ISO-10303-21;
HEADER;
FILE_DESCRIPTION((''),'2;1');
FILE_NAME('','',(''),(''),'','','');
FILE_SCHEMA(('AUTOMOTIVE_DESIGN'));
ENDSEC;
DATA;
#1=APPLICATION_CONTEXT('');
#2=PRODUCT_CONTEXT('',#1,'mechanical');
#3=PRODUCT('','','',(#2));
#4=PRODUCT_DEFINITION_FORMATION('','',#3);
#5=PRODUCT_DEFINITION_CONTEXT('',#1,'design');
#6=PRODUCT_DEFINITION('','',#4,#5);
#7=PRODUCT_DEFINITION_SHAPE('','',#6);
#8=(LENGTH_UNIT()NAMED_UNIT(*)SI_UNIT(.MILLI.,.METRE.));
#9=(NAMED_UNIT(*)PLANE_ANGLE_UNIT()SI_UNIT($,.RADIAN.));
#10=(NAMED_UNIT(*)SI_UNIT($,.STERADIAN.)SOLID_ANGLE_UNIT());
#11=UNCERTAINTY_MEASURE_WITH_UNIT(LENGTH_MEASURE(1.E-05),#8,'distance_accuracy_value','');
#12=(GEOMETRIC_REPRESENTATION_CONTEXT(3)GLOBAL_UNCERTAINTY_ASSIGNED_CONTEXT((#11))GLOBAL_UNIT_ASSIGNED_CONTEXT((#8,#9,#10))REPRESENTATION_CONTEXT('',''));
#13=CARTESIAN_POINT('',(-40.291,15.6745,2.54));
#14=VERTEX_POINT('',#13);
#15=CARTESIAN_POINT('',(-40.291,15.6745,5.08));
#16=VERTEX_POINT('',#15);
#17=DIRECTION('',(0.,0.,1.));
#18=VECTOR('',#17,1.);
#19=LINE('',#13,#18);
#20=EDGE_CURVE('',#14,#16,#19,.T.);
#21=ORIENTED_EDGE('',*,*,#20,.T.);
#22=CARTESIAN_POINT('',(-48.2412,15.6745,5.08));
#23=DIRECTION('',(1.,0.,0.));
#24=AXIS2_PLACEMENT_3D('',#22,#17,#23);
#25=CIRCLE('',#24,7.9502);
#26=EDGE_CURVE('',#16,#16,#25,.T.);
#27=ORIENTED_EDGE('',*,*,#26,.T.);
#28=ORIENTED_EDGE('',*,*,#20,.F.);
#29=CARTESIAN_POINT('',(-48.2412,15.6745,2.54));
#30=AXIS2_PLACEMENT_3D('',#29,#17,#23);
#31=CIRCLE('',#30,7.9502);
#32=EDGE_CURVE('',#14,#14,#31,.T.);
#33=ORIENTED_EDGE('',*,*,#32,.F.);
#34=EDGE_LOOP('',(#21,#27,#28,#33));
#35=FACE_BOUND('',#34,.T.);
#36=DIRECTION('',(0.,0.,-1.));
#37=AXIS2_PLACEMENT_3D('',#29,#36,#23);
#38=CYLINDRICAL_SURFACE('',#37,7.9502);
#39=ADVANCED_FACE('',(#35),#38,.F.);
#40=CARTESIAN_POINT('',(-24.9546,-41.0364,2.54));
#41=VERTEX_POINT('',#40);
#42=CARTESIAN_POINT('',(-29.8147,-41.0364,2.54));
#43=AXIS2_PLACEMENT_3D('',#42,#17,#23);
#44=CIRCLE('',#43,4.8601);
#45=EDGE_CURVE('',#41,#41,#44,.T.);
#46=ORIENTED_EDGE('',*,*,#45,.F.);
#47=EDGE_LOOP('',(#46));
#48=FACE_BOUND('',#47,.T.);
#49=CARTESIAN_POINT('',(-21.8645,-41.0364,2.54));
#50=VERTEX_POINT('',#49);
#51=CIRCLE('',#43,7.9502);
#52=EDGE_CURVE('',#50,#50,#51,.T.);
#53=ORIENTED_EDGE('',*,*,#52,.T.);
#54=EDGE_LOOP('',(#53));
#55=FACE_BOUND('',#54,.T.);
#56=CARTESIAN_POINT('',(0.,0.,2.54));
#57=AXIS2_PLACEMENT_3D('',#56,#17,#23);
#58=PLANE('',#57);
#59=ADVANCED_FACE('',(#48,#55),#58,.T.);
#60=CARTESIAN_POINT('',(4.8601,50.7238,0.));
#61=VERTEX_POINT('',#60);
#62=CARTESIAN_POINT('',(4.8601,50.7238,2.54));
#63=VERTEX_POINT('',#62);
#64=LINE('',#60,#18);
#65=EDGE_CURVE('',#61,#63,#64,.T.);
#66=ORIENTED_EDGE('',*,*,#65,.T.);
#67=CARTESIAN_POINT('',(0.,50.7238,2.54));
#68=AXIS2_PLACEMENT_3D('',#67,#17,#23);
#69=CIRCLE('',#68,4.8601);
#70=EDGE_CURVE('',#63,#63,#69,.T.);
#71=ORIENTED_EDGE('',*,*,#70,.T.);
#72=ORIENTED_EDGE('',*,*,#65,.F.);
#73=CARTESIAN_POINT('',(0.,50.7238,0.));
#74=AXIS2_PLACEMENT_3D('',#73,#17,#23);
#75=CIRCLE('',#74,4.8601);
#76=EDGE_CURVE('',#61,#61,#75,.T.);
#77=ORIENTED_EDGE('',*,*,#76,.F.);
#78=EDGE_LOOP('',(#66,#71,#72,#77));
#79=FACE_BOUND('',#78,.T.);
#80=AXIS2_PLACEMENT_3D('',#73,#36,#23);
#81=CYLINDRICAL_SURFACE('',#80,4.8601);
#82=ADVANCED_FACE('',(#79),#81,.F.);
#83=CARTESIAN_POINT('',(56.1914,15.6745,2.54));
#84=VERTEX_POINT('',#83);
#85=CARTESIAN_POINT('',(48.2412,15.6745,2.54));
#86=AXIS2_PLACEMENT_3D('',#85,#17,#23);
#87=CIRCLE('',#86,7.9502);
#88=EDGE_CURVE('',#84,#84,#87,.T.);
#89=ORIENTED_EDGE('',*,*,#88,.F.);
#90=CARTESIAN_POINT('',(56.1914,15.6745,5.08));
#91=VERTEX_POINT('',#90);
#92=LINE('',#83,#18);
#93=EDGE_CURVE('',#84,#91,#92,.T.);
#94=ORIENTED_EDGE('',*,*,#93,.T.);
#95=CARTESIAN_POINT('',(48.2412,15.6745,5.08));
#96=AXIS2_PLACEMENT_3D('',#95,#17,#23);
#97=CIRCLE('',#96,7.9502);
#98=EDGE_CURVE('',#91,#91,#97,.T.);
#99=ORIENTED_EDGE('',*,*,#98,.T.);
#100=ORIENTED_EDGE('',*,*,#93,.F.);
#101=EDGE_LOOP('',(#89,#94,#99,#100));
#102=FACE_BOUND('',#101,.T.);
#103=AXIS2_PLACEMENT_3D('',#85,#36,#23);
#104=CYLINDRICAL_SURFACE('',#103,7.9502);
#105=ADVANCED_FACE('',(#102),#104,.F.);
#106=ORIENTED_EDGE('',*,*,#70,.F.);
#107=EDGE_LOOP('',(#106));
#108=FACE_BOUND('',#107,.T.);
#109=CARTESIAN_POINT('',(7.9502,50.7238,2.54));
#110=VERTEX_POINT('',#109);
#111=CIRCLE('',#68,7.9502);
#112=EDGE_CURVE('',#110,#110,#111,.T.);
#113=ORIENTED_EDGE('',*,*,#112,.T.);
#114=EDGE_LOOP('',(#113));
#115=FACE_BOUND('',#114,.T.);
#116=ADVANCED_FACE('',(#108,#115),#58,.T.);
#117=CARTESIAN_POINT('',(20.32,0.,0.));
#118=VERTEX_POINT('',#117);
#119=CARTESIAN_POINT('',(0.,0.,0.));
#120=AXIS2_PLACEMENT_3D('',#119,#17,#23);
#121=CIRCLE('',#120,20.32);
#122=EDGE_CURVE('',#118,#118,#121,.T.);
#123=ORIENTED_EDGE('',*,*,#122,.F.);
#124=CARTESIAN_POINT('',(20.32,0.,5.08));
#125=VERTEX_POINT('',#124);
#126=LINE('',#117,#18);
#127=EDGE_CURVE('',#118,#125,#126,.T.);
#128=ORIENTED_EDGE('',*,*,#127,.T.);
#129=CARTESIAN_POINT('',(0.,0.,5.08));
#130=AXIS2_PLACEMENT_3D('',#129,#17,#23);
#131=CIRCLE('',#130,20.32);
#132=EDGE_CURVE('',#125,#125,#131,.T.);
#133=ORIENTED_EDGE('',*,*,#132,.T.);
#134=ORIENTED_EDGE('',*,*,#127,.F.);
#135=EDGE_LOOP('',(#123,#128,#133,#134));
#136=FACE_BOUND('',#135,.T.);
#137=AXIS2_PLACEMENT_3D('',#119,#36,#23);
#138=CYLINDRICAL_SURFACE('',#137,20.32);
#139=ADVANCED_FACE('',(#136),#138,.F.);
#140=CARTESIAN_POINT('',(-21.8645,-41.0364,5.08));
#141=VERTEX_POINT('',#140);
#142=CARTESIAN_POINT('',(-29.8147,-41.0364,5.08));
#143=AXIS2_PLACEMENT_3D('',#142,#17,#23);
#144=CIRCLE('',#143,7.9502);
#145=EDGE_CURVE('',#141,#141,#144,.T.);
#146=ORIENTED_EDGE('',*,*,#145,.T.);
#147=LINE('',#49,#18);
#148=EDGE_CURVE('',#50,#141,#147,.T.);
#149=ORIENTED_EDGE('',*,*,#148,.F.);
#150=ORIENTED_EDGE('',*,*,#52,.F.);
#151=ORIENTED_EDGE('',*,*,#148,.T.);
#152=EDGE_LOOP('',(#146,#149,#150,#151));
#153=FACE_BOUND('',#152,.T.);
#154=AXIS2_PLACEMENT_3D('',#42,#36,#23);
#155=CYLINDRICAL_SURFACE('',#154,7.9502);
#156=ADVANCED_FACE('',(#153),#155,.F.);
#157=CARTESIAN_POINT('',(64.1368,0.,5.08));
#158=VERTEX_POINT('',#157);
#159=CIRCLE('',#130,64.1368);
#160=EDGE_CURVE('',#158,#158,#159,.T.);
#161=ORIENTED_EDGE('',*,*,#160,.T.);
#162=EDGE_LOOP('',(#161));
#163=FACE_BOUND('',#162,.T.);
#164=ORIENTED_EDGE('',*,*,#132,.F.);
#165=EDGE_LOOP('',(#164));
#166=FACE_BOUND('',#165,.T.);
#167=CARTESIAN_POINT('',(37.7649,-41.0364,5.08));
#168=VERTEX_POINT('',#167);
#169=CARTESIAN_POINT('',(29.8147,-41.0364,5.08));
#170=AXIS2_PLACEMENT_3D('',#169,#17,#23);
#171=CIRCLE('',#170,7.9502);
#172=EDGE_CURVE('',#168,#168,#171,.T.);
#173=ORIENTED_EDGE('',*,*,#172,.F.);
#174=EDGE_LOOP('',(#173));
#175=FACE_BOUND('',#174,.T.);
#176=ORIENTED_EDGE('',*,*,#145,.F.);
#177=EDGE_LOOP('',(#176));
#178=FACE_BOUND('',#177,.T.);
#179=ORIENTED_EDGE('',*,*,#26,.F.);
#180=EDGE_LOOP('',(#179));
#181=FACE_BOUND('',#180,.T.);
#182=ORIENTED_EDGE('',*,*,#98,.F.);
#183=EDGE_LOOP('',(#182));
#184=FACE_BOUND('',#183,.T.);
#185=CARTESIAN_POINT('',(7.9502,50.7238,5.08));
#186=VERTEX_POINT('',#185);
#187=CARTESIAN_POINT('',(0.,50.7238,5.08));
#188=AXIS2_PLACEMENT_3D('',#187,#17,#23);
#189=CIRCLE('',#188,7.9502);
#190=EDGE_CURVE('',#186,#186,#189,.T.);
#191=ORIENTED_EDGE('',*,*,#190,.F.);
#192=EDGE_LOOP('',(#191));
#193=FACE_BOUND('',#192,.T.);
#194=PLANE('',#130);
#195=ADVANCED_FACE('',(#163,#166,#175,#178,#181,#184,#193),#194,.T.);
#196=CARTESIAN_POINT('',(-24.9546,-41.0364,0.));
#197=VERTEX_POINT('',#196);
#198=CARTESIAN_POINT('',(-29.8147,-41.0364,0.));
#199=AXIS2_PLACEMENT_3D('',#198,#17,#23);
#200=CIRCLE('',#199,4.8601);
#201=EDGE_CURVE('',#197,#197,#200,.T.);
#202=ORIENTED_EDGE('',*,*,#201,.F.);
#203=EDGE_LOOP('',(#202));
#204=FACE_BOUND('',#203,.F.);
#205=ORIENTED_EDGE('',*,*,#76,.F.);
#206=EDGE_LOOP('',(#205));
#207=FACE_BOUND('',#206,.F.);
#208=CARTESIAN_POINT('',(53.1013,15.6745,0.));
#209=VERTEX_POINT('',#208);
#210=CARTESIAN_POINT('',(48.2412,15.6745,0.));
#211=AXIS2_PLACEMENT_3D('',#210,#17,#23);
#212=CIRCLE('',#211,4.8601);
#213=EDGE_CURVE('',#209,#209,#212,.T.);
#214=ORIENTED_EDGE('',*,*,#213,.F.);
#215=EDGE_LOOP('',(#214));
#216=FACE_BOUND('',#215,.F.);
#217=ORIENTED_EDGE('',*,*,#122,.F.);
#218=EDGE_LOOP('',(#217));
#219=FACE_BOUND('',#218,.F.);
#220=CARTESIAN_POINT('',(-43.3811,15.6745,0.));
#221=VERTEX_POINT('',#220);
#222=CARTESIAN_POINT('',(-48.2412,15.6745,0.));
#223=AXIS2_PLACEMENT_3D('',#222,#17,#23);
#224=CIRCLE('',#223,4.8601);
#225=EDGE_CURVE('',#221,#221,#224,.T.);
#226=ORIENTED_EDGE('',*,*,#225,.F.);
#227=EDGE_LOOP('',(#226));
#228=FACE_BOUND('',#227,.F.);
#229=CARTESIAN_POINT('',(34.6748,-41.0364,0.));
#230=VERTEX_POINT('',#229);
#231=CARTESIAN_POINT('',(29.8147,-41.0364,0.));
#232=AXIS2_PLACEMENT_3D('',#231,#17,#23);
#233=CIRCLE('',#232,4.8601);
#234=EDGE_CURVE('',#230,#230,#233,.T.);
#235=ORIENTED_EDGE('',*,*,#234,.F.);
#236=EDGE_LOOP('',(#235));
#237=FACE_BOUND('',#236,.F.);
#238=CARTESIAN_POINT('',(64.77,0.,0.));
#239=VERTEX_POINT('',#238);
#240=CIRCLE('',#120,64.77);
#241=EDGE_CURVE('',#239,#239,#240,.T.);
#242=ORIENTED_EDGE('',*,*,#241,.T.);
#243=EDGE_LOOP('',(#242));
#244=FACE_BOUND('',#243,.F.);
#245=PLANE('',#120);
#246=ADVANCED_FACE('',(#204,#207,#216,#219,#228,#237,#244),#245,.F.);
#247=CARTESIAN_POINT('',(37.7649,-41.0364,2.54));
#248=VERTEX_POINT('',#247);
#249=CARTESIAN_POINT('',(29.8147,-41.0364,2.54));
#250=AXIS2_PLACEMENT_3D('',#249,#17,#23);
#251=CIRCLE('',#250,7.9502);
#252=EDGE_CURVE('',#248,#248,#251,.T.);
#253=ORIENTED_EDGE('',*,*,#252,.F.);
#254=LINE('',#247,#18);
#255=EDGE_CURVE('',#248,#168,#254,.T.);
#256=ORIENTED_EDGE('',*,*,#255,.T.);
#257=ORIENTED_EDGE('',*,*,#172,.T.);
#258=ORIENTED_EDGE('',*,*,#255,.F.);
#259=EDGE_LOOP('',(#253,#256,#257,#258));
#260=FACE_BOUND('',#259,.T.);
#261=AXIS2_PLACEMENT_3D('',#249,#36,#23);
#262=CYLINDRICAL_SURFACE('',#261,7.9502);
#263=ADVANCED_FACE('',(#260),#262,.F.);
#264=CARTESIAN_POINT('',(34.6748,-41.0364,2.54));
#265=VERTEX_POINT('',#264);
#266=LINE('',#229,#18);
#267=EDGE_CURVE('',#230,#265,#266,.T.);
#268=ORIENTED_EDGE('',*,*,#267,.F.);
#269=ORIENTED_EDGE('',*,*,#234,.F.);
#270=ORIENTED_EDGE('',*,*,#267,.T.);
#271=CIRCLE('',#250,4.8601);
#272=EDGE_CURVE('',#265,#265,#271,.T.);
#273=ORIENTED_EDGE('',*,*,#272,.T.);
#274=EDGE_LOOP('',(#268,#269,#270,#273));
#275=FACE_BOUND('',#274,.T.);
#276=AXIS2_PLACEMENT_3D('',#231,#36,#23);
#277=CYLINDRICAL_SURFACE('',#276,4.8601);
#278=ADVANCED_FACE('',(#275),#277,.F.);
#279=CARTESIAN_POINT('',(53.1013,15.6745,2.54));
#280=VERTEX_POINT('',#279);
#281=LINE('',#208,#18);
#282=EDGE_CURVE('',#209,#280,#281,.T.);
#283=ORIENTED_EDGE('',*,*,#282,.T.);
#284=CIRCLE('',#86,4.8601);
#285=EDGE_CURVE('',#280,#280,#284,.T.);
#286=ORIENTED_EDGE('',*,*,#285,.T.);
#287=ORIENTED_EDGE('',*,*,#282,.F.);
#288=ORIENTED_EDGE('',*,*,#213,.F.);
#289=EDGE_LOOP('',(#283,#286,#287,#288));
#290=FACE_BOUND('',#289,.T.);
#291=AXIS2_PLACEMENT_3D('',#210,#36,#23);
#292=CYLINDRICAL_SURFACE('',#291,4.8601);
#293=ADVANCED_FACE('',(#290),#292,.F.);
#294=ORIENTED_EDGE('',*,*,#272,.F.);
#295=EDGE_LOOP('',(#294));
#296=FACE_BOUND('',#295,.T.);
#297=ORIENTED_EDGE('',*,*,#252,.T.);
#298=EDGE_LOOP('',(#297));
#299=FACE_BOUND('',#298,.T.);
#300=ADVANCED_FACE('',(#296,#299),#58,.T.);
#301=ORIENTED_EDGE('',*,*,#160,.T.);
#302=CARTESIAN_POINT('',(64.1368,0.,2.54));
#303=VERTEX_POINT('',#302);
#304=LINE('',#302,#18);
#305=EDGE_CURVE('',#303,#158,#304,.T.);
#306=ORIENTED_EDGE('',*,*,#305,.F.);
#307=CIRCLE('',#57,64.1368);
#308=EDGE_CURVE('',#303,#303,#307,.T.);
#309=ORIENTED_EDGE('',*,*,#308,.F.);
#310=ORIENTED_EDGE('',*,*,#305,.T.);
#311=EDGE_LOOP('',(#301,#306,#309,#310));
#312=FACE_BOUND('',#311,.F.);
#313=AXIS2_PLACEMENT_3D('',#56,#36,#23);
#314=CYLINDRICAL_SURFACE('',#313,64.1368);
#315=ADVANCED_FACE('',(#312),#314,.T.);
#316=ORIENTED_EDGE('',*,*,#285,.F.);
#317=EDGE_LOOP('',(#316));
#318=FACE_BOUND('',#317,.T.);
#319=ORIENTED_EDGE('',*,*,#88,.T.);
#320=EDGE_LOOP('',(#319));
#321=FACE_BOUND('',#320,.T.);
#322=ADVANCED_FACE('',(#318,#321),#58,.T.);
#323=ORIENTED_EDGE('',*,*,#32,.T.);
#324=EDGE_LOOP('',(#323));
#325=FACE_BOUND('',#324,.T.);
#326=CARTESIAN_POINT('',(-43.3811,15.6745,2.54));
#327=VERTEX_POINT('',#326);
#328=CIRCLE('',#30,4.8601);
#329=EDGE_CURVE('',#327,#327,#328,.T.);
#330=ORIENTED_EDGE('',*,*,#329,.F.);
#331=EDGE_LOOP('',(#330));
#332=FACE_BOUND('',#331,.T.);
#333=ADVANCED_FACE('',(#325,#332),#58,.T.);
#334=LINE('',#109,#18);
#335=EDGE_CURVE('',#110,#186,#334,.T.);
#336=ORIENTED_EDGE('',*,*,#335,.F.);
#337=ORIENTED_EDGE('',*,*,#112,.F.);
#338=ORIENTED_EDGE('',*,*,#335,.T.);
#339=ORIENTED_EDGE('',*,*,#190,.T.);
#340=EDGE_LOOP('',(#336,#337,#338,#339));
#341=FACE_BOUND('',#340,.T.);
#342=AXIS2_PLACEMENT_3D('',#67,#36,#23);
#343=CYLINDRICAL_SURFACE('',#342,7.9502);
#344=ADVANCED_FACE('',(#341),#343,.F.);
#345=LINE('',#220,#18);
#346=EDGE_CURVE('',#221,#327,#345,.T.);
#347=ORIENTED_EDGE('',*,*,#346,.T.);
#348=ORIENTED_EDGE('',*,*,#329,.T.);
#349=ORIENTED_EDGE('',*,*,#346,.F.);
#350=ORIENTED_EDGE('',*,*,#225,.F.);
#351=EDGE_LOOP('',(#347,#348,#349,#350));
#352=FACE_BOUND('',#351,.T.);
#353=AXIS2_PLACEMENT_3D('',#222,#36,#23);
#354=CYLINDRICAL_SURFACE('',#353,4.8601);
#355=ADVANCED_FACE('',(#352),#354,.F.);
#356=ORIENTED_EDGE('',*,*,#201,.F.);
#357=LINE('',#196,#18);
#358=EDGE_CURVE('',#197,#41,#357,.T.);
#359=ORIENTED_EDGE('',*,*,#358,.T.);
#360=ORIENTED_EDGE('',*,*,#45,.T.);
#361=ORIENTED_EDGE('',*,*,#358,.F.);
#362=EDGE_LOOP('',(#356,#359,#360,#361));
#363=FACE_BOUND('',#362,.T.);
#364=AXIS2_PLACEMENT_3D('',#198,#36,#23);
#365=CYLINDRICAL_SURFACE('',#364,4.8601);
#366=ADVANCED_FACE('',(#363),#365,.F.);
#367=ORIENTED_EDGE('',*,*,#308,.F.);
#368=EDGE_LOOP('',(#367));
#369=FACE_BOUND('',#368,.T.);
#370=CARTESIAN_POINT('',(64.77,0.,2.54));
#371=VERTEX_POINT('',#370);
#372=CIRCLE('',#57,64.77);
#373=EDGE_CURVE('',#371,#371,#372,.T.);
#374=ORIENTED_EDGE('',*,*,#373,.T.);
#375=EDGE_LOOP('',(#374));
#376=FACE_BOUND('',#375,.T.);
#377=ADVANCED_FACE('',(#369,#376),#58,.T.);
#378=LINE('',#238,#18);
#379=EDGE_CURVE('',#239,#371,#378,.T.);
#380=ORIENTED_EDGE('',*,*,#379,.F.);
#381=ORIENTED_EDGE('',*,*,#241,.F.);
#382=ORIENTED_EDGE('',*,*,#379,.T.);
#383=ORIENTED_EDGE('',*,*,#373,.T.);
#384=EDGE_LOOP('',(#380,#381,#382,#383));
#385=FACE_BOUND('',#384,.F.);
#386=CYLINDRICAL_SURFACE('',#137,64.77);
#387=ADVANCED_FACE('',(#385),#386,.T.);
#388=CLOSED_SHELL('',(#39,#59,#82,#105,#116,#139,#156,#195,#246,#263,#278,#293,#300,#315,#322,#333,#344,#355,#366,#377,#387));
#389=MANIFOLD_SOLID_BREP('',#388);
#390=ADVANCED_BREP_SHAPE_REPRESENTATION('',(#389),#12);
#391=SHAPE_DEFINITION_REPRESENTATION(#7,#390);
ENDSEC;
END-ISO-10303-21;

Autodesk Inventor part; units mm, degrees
ref_plane "YZ Plane" through (0, 0, 0) normal (1, 0, 0) x (0, 1, 0)
ref_plane "XZ Plane" through (0, 0, 0) normal (0, 1, 0) x (-1, 0, 0)
ref_plane "XY Plane" through (0, 0, 0) normal (0, 0, 1) x (1, 0, 0)
sketch "Sketch1" plane through (0, 0, 0) normal (0, 0, 1) x (1, 0, 0)
  circle A0 centre (0, 0) radius 20.32
  circle A1 centre (0, 0) radius 64.77
  circle A2 centre (0, 50.7238) radius 4.8601
  circle A3 centre (-48.2412, 15.6745) radius 4.8601
  circle A4 centre (-29.8147, -41.0364) radius 4.8601
  circle A5 centre (29.8147, -41.0364) radius 4.8601
  circle A6 centre (48.2412, 15.6745) radius 4.8601
  dimension "d0" = 40.64
  dimension "d1" = 129.54
  dimension "d2" = 50.7238
  dimension "d5" = 360
extrude "Extrusion1" add sketch "Sketch1" along normal blind 2.54
sketch "Sketch2" plane through (0, 0, 2.54) normal (0, 0, 1) x (1, 0, 0)
  circle A0 centre (0, 0) radius 20.32 projected
  circle A1 centre (0, 0) radius 20.32
  circle A2 centre (0, 0) radius 64.1368
  circle A3 centre (0, 50.7238) radius 4.8601 projected
  circle A4 centre (0, 50.7238) radius 7.9502
  circle A5 centre (-48.2412, 15.6745) radius 7.9502
  circle A6 centre (-29.8147, -41.0364) radius 7.9502
  circle A7 centre (29.8147, -41.0364) radius 7.9502
  circle A8 centre (48.2412, 15.6745) radius 7.9502
  dimension "d9" = 15.9004
  dimension "d12" = 360
extrude "Extrusion2" add sketch "Sketch2" along normal blind 2.54 contours A2
properties part number "Savior Paddle Template"
